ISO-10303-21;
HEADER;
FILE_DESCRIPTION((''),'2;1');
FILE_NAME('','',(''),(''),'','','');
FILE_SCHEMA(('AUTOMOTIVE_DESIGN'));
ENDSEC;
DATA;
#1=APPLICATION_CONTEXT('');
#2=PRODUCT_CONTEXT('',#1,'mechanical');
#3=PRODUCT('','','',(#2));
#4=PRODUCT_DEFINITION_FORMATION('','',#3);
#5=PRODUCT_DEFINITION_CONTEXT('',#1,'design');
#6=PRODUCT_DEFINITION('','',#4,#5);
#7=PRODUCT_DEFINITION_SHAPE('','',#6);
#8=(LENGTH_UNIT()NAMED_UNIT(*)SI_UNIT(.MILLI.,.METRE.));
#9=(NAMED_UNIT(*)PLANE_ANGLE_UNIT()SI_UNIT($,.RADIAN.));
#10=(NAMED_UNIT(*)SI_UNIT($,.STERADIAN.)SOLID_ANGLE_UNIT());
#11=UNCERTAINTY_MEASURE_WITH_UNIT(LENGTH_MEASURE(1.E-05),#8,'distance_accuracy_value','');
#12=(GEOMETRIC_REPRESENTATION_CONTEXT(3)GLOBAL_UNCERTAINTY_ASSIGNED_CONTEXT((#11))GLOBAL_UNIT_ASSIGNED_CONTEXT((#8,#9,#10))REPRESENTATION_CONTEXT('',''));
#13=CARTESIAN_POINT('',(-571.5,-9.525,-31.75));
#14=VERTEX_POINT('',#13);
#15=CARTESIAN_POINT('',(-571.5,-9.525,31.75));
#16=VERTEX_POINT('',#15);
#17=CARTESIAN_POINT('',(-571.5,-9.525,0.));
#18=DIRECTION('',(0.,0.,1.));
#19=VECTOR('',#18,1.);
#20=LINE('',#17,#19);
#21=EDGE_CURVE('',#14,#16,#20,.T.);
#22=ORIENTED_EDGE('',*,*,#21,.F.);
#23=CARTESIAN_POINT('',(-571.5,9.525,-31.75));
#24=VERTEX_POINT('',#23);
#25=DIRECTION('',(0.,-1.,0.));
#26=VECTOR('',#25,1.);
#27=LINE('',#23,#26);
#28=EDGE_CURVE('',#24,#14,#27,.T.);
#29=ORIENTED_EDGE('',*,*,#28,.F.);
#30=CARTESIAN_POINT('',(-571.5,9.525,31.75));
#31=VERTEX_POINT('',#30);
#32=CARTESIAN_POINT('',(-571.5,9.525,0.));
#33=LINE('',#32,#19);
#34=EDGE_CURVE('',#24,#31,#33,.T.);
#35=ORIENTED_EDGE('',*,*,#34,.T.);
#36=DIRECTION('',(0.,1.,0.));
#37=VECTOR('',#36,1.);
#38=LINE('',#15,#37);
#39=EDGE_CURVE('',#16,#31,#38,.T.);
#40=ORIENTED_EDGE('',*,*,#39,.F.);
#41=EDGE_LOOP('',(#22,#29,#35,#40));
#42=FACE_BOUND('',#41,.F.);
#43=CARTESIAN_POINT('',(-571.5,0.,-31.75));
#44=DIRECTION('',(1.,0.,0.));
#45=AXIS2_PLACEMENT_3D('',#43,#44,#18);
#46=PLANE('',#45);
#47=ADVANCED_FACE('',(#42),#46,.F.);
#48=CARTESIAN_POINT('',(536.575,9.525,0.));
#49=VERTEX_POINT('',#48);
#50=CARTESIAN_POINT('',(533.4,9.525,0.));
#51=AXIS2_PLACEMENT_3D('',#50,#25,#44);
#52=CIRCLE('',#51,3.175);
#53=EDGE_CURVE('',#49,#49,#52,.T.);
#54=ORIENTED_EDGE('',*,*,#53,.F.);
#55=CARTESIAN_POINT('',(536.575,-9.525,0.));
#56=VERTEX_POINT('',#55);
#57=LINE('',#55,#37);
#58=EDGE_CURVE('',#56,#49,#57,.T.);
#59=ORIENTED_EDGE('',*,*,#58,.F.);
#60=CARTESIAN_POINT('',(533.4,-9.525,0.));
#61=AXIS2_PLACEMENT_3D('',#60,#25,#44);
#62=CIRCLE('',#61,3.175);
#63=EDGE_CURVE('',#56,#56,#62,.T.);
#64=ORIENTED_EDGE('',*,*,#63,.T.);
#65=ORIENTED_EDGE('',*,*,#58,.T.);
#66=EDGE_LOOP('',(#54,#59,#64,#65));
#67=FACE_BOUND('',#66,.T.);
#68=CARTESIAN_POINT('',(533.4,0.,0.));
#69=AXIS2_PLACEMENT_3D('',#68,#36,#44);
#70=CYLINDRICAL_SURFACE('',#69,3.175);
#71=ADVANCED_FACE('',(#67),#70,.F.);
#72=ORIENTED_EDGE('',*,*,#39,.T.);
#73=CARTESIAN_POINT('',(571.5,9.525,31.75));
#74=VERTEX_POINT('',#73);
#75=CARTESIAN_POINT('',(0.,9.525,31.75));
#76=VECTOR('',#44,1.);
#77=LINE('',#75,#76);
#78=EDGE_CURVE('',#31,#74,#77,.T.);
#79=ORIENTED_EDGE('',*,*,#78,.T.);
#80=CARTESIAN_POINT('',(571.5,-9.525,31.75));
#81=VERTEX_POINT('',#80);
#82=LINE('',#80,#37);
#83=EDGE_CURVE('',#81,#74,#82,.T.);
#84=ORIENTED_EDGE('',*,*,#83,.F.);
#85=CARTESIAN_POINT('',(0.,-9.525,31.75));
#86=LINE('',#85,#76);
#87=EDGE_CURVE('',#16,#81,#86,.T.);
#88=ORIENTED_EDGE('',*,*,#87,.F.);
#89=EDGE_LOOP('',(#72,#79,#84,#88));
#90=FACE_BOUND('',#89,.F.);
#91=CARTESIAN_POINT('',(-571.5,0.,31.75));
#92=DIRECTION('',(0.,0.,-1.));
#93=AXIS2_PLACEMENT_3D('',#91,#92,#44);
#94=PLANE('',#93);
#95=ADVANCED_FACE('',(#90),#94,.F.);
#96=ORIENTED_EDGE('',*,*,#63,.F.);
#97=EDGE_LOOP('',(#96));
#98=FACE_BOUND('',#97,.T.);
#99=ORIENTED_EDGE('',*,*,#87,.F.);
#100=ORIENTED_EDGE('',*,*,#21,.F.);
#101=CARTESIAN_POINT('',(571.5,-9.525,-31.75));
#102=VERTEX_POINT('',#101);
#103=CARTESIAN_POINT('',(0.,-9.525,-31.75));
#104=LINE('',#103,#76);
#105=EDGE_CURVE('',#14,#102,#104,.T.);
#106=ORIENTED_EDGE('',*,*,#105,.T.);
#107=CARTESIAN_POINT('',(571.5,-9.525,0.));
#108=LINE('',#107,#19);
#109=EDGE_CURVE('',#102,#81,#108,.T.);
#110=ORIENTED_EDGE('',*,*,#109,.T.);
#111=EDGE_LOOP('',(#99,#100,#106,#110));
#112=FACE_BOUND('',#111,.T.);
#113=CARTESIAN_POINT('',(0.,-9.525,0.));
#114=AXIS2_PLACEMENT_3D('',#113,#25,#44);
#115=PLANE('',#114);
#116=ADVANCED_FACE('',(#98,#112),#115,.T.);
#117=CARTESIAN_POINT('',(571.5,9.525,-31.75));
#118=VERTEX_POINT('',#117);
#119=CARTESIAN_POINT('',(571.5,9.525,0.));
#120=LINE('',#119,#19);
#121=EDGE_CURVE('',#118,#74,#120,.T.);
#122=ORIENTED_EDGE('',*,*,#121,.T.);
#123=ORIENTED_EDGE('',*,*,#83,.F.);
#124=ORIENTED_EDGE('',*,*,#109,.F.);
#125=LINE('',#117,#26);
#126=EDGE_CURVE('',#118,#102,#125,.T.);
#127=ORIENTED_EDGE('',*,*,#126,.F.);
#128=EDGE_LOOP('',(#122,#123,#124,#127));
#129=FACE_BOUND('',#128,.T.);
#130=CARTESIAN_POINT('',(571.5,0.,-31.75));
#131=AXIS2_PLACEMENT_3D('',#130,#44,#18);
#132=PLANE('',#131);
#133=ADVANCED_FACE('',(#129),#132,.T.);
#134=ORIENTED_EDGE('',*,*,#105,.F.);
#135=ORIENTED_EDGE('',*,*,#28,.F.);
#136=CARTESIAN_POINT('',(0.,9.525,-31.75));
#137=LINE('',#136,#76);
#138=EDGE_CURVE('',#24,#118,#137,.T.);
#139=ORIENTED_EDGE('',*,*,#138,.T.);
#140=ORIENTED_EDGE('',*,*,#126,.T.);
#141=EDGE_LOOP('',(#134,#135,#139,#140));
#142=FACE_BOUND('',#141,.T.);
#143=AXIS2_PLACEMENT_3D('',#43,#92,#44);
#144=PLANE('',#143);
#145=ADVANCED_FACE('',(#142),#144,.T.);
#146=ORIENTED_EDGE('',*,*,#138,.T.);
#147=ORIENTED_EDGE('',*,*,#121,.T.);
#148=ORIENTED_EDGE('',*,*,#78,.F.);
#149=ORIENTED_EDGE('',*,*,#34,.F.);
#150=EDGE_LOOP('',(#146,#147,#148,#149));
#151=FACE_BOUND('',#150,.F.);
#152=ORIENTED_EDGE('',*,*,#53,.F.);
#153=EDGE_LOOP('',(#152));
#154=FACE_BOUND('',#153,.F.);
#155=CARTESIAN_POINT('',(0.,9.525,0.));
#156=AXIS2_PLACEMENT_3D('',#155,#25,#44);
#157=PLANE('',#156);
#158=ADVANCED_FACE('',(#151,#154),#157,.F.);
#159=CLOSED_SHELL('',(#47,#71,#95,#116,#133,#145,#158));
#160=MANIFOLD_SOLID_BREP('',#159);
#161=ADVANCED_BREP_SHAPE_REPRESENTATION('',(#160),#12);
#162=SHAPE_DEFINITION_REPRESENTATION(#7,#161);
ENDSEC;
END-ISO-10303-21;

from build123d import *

# Parameters (mm, degrees)
F0_W     = 1143
F0_H     = 63.5
F0_R     = 3.175
F1_DEPTH = 9.525


with BuildPart() as f1:
    # F0 (on Front) → F1 (new body, symmetric)
    with BuildSketch(Plane.XZ):
        Rectangle(F0_W, F0_H)
        with Locations((533.4, 0)):
            Circle(F0_R, mode=Mode.SUBTRACT)
    extrude(amount=F1_DEPTH, both=True)


solid = f1.part
